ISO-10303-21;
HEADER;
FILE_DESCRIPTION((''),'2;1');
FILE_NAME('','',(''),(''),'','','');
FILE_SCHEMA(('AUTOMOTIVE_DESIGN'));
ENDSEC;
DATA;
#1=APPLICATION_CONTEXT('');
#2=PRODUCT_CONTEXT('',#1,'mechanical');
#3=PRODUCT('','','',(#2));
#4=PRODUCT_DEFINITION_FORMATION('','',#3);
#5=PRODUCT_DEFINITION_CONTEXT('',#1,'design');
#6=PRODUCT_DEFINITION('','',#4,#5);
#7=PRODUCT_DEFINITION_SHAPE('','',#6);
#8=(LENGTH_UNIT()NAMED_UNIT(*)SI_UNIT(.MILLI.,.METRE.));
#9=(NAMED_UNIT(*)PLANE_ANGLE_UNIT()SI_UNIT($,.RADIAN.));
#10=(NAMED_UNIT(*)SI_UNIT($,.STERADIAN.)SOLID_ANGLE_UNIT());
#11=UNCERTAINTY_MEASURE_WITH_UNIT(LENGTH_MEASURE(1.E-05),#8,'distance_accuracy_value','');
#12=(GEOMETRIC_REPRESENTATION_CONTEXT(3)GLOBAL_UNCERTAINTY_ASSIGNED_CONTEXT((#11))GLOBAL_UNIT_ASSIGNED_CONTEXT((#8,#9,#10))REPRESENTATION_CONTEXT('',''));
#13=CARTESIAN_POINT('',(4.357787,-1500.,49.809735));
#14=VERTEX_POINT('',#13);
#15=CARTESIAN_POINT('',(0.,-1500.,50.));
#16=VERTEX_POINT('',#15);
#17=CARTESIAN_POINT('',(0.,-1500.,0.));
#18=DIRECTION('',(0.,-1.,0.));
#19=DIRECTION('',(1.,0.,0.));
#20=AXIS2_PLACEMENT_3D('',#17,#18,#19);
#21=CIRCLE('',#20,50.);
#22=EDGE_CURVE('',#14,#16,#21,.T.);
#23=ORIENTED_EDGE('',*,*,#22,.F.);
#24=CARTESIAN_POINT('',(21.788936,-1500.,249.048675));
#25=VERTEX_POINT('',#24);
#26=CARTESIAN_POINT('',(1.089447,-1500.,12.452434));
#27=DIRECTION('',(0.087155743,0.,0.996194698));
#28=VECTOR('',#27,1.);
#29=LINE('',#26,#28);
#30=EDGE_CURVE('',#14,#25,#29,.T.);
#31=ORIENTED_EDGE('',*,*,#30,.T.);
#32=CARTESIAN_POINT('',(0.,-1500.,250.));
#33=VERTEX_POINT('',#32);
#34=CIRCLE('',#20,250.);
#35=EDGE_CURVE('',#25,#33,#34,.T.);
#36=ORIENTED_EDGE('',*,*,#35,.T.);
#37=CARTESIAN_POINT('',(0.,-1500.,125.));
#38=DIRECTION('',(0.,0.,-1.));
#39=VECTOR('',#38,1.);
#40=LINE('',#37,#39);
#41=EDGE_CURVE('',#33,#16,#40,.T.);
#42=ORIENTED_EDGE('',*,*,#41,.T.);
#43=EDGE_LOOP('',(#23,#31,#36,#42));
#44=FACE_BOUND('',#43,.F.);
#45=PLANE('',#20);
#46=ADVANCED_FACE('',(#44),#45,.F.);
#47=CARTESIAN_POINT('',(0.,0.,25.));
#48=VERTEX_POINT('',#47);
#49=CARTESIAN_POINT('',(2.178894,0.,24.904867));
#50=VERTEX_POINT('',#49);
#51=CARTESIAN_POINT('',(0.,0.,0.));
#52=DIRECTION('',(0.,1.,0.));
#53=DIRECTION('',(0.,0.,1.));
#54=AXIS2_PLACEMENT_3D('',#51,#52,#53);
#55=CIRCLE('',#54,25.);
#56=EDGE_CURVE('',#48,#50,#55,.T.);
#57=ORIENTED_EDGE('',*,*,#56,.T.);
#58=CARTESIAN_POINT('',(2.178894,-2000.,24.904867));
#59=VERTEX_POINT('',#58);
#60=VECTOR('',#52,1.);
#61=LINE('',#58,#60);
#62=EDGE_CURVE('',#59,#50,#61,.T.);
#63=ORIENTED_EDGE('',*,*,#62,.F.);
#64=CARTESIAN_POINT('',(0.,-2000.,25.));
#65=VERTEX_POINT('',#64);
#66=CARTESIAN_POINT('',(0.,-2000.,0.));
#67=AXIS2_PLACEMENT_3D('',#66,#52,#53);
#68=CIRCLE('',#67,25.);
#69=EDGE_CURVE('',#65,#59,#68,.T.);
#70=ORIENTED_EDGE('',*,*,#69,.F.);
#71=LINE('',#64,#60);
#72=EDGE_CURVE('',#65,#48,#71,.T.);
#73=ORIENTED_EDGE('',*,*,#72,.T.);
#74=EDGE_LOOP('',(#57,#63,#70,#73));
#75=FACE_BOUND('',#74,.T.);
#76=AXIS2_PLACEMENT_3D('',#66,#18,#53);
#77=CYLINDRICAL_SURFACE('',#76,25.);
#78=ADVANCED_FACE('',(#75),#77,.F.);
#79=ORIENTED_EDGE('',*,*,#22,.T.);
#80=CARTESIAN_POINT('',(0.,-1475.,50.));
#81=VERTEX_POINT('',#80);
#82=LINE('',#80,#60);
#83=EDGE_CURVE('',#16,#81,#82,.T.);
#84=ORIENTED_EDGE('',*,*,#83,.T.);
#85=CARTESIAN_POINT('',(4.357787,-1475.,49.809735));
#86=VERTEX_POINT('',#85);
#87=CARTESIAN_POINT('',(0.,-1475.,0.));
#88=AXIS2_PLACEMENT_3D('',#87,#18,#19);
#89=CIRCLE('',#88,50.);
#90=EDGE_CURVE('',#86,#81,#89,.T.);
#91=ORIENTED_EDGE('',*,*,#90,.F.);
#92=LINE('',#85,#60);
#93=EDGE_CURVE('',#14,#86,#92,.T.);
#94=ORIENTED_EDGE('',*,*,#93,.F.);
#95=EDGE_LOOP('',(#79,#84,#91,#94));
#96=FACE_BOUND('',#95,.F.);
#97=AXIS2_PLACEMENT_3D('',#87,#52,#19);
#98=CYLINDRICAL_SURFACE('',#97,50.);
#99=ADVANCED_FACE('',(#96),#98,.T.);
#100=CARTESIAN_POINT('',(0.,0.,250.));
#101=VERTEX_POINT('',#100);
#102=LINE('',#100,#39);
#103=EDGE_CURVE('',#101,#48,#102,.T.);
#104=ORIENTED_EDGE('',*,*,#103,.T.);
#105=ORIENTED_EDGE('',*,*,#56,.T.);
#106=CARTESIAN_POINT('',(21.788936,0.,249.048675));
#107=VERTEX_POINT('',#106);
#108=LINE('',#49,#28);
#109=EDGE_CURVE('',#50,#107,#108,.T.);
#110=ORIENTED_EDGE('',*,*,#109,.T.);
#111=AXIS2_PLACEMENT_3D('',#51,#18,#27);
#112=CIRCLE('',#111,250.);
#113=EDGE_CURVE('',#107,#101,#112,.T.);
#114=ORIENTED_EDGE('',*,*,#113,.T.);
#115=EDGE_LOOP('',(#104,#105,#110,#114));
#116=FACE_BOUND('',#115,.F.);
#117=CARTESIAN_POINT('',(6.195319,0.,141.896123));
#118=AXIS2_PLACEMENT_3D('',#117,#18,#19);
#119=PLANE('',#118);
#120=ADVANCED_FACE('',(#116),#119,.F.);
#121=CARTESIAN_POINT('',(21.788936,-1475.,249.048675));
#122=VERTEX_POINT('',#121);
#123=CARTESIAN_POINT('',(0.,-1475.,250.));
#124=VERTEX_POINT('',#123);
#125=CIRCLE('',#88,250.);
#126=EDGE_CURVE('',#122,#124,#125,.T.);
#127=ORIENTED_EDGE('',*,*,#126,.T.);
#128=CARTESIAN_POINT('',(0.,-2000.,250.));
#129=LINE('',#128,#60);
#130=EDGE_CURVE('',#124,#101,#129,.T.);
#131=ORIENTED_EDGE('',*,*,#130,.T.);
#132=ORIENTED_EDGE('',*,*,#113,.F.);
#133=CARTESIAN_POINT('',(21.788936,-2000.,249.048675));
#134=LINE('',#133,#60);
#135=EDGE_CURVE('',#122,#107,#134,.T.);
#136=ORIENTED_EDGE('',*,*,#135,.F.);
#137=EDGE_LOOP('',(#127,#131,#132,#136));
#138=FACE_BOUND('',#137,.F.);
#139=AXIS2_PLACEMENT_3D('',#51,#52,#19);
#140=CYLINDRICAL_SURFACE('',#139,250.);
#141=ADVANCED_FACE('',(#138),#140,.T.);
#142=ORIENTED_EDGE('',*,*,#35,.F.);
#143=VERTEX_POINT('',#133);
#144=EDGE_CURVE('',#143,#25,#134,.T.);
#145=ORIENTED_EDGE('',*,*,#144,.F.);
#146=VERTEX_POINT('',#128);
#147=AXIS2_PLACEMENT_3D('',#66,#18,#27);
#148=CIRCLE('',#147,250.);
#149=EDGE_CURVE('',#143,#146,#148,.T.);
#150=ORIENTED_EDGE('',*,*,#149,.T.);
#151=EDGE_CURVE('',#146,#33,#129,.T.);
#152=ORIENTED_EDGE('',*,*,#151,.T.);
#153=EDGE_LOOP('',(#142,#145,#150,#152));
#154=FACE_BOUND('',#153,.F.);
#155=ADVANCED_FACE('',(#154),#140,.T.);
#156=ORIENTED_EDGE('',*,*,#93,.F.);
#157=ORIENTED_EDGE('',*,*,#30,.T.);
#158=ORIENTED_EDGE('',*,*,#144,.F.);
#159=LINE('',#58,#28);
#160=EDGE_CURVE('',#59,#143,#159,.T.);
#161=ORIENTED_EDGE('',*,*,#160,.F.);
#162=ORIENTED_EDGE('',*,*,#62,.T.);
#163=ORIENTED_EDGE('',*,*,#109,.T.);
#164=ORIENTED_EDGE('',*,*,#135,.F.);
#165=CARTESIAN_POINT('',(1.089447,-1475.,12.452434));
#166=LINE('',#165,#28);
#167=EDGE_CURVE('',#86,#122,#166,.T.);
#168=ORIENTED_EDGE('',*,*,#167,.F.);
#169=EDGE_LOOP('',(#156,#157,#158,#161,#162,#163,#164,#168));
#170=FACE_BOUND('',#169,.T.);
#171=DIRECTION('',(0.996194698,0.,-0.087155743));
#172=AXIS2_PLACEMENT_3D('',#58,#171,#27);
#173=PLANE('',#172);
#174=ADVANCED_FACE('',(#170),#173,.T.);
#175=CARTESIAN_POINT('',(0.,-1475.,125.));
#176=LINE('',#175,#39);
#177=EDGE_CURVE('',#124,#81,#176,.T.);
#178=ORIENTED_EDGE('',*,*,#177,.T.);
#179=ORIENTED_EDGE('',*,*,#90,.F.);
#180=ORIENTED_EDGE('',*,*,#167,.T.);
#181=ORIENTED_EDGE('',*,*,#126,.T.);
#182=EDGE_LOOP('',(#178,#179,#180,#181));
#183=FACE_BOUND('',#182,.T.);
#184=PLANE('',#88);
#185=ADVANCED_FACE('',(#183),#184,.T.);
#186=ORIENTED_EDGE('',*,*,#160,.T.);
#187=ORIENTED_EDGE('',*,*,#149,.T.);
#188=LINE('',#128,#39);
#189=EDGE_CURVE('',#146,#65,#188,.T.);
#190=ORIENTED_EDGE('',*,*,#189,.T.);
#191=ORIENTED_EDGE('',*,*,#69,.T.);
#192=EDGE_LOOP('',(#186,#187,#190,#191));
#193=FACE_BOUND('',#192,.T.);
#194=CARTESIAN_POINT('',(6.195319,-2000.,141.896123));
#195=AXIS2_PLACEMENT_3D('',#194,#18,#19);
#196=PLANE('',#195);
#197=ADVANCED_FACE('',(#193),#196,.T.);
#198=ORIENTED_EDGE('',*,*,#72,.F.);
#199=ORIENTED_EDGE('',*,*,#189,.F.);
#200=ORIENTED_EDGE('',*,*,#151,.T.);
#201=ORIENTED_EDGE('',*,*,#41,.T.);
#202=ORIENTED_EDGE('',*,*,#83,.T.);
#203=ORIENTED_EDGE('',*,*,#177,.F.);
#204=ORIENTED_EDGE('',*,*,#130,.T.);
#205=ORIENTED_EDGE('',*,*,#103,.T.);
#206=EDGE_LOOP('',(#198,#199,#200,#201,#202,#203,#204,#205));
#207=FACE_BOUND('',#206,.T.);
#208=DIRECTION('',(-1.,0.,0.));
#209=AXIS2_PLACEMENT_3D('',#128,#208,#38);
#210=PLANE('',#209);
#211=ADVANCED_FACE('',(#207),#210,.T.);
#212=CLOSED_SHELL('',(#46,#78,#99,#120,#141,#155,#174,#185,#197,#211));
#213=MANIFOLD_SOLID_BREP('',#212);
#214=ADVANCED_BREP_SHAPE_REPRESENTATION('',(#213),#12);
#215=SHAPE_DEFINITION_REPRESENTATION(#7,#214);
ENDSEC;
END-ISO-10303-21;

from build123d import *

# Parameters (mm, degrees)
F0_R     = 250
F1_DEPTH = 2000
F3_R     = 250
F3_R_2   = 50
F4_DEPTH = 25
F6_DEPTH = 2000


with BuildPart() as f1:
    # F0 (on Front) → F1 (new body)
    with BuildSketch(Plane.XZ):
        Circle(F0_R)
    extrude(amount=F1_DEPTH)

    # F3 (on offset) → F4 (cut)
    with BuildSketch(Plane.XZ.offset(1475)):
        Circle(F3_R)
        Circle(F3_R_2, mode=Mode.SUBTRACT)
    extrude(amount=F4_DEPTH, mode=Mode.SUBTRACT)

    # F5 (on face) → F6 (intersect)
    with BuildSketch(Plane.XZ.offset(2000)):
        with BuildLine():
            ThreePointArc((21.7889356869, 249.0486745229), (10.9048468413, 249.7620553955), (0, 250))
            Line((0, 250), (0, 25))
            ThreePointArc((0, 25), (1.0904846841, 24.9762055395), (2.1788935687, 24.9048674523))
            Line((2.1788935687, 24.9048674523), (21.7889356869, 249.0486745229))
        make_face()
    extrude(amount=-F6_DEPTH, mode=Mode.INTERSECT)


solid = f1.part
